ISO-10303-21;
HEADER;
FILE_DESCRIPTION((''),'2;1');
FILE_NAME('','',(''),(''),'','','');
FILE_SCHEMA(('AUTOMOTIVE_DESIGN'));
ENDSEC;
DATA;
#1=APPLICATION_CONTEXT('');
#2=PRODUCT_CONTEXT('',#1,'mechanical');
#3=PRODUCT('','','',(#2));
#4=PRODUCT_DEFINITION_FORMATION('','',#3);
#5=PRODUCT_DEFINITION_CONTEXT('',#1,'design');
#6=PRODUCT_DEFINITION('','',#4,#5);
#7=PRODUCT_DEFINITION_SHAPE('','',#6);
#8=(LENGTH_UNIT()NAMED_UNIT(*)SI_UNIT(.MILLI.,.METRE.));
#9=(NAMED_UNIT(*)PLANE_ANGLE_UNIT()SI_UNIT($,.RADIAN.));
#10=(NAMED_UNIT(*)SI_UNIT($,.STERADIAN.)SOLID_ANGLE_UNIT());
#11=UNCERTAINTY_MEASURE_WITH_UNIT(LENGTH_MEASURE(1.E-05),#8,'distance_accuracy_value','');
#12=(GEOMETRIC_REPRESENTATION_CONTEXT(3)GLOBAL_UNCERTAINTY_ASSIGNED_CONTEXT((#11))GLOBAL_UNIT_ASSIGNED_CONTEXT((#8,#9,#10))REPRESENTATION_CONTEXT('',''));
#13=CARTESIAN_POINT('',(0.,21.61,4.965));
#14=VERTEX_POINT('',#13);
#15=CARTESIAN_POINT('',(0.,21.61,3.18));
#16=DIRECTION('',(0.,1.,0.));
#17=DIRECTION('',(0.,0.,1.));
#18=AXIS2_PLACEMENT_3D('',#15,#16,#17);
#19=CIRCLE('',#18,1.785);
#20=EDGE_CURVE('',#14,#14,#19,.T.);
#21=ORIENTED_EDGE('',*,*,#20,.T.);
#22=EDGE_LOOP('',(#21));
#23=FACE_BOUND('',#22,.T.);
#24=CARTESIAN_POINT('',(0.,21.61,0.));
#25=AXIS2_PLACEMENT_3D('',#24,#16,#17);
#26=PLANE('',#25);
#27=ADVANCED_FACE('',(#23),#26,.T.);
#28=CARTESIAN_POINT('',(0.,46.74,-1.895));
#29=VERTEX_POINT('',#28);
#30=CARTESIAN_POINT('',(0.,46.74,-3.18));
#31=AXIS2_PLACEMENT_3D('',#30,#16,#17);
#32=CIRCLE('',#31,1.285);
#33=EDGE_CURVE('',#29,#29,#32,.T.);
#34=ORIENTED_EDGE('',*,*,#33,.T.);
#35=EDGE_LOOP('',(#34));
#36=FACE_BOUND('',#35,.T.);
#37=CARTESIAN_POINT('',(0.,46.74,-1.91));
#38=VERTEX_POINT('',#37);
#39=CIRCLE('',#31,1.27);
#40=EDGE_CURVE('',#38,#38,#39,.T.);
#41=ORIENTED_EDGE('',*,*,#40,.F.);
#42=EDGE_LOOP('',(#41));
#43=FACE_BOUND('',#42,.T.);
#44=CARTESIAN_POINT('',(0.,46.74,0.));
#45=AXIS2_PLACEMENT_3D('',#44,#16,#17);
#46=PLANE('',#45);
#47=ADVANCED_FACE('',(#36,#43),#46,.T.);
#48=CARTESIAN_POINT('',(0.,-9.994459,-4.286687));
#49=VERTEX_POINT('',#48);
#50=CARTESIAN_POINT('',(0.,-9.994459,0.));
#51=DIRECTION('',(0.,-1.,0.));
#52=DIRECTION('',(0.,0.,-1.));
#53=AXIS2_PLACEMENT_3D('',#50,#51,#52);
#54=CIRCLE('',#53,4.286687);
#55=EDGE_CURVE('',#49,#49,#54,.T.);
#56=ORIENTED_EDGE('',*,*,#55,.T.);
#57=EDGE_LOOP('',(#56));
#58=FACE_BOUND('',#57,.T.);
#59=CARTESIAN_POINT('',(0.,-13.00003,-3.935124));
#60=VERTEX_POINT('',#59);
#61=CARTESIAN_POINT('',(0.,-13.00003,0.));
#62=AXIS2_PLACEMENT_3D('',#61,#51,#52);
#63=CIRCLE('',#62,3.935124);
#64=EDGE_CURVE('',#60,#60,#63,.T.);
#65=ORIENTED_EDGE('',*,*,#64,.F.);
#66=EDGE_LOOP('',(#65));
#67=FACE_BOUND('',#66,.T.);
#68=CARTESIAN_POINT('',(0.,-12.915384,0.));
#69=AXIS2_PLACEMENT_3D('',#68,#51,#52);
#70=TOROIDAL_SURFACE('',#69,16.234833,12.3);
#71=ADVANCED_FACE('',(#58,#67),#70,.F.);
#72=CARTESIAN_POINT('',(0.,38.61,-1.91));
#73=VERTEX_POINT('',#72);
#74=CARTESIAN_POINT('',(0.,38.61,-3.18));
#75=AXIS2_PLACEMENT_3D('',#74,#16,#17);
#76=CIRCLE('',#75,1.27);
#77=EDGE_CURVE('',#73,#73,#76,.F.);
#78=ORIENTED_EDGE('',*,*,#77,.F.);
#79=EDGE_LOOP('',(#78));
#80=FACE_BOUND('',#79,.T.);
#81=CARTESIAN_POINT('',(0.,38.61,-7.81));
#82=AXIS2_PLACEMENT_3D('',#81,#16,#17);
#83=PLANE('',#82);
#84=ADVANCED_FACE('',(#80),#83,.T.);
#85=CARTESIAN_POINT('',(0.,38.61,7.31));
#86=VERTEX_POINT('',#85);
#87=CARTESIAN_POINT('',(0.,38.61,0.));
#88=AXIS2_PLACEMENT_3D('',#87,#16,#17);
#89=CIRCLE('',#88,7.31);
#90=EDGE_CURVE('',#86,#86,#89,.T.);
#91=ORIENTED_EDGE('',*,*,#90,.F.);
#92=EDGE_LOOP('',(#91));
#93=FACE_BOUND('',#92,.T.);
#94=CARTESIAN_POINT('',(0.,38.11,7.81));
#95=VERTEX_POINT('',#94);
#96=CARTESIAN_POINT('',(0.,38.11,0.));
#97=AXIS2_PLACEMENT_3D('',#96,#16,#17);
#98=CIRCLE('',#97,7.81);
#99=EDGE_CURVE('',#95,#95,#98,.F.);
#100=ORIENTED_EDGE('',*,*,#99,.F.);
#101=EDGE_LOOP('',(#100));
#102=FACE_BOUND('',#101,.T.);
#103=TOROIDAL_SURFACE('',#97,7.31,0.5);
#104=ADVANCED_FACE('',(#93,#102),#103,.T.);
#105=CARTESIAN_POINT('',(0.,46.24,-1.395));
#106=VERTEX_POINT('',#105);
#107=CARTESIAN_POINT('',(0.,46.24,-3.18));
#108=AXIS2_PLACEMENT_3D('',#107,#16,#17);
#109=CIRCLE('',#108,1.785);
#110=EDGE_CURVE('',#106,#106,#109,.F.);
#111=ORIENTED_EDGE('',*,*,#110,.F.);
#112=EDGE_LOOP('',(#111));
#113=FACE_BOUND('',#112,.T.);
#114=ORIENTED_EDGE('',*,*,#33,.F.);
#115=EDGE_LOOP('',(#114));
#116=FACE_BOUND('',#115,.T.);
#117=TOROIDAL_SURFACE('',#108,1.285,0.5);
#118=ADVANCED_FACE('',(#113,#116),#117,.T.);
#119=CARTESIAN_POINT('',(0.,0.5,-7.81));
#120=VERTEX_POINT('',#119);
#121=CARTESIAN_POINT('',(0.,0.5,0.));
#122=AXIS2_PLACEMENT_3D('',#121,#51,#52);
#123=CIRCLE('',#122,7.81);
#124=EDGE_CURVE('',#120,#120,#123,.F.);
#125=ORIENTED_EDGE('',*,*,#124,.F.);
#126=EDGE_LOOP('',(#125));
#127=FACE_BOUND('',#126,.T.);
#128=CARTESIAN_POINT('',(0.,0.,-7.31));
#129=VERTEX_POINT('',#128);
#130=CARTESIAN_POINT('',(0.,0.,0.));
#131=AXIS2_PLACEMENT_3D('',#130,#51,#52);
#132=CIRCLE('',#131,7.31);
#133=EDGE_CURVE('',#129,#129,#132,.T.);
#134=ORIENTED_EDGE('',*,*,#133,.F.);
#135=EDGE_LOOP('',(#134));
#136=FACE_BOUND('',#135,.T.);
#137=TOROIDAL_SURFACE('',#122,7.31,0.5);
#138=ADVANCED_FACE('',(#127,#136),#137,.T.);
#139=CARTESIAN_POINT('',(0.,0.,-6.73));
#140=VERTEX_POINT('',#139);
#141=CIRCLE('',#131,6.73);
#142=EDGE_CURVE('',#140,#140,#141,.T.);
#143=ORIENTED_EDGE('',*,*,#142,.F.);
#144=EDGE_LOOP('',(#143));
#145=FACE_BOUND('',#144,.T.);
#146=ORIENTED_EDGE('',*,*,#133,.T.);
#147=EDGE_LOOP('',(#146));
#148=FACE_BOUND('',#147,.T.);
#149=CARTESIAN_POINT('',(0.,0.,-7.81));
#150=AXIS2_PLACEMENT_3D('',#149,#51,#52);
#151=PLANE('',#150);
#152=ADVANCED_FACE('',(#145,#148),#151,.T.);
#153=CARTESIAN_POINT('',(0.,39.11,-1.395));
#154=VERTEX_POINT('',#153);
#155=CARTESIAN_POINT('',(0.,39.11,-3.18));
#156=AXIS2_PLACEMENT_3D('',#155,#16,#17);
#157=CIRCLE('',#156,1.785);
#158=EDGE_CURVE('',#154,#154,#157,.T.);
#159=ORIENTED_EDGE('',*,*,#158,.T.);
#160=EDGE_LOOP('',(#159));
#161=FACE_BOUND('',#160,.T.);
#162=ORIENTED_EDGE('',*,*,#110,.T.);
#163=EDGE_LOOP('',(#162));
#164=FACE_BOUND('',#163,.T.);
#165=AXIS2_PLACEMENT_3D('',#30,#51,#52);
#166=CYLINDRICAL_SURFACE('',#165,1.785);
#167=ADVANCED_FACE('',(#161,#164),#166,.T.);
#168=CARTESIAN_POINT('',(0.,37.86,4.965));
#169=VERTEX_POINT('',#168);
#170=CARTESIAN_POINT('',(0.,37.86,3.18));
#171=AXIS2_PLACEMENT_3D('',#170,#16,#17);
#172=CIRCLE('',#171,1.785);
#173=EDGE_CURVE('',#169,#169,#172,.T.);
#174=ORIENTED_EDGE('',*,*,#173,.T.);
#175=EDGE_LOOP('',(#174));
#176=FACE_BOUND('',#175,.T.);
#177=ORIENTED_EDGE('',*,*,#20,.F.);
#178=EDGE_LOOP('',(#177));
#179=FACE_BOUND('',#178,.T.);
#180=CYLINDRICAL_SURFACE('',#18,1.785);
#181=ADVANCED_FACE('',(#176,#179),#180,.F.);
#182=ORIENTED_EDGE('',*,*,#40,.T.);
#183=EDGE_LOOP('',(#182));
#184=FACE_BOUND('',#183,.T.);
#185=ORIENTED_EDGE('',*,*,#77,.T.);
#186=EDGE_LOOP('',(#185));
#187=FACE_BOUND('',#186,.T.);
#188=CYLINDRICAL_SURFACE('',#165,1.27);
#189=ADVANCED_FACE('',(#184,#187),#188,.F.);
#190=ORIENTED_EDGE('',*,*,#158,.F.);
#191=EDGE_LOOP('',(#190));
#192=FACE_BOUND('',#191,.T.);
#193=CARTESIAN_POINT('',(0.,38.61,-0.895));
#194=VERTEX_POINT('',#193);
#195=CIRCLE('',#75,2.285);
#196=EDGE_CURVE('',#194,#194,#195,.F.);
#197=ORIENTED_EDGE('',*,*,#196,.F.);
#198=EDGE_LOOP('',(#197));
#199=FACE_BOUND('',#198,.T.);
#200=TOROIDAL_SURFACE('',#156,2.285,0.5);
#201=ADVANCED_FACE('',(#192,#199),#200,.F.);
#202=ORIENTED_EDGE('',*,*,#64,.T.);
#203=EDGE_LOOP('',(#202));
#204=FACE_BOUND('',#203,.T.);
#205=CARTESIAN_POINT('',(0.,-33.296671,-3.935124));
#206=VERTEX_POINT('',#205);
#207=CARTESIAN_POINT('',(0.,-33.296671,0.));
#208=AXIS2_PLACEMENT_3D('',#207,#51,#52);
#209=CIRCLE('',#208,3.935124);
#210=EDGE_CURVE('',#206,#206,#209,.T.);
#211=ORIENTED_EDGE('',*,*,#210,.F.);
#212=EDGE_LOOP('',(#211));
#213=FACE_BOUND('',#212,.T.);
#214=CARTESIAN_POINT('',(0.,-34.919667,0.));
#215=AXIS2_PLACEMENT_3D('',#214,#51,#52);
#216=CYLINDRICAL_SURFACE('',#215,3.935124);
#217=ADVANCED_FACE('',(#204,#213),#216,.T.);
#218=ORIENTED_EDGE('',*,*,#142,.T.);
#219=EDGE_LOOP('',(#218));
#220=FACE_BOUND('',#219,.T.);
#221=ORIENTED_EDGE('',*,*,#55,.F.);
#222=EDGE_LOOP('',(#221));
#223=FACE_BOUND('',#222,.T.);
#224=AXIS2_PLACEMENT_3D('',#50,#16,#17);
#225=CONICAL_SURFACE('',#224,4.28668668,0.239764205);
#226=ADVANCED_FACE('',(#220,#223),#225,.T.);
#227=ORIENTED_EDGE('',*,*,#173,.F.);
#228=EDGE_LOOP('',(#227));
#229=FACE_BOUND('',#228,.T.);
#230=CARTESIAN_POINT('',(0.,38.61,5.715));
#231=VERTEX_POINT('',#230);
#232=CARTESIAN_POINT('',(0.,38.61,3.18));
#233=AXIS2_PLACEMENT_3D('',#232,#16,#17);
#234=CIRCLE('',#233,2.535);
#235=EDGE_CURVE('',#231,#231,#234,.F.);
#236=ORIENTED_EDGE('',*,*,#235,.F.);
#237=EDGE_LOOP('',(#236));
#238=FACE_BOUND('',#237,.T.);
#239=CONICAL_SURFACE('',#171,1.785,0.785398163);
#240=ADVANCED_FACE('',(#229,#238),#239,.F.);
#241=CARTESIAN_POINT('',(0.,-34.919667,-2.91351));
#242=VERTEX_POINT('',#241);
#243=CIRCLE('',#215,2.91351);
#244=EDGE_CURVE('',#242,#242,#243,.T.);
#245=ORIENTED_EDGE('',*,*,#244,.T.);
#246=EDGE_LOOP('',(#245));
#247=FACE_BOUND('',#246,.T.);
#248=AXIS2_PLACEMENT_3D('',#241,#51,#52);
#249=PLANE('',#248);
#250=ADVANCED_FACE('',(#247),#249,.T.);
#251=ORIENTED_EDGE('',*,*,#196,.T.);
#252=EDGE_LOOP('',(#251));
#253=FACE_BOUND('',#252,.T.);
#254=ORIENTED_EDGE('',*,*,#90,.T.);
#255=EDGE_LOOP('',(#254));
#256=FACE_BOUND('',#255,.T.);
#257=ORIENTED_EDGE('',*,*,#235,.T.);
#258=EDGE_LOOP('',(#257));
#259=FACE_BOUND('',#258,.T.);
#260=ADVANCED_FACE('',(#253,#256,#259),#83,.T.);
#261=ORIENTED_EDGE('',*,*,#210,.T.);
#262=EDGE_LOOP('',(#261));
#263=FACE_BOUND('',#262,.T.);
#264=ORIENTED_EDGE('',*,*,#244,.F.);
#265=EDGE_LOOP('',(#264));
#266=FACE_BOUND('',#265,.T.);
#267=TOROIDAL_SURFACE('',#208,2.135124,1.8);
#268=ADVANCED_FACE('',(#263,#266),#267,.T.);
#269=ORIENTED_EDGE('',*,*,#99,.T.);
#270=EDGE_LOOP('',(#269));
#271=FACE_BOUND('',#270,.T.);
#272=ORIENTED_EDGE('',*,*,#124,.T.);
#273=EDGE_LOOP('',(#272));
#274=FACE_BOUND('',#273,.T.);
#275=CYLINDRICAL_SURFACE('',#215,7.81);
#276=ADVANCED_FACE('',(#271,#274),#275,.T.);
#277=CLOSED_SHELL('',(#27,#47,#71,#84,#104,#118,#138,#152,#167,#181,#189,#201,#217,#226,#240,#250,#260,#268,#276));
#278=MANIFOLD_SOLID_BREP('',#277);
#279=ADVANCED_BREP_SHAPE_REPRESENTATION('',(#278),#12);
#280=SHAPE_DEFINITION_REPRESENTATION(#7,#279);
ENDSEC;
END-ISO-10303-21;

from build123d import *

# Parameters (mm, degrees)
SKETCH_2_R          = 1.785
SKETCH_2_R_2        = 1.27
EXTRUDE_2_DEPTH     = 8.13
FILLET_1_R          = 0.5
FILLET_2_R          = 0.5
FILLET_3_R          = 0.5
SKETCH_5_R          = 1.785
CUT_EXTRUDE_1_DEPTH = 18
CHAMFER_1_SIZE      = 0.75


with BuildPart() as part:
    # Эскиз1 → Повернуть1 (revolve)
    with BuildSketch(Plane(origin=(0, 0, 0), x_dir=(0, 0, -1), z_dir=(1, 0, 0))):
        with BuildLine():
            Line((7.81, 0), (7.81, 38.61))
            Line((7.81, 38.61), (0, 38.61))
            Line((0, 38.61), (0, -34.919667125))
            Line((0, -34.919667125), (2.135124109, -34.919667125))
            Line((2.135124109, -34.919667125), (2.913509872, -34.919667125))
            ThreePointArc((2.913509872, -34.919667125), (3.658458343, -34.255552274), (3.935124109, -33.296671252))
            Line((3.935124109, -33.296671252), (3.935124109, -13.000030341))
            ThreePointArc((3.935124109, -13.000030341), (4.018123706, -11.486391771), (4.28668668, -9.994458602))
            Line((4.28668668, -9.994458602), (6.73, 0))
            Line((6.73, 0), (7.81, 0))
        make_face()
    revolve(axis=Axis((0, -34.919667125, 0), (0, 1, 0)))

    # Эскиз2 → Бобышка-Вытянуть2 (add)
    with BuildSketch(Plane(origin=(0, 38.61, 0), x_dir=(1, 0, 0), z_dir=(0, 1, 0))):
        with Locations((0, 3.18)):
            Circle(SKETCH_2_R)
        with Locations((0, 3.18)):
            Circle(SKETCH_2_R_2, mode=Mode.SUBTRACT)
    extrude(amount=EXTRUDE_2_DEPTH)

    # Скругление1
    fillet_1_edges = [part.edges().sort_by_distance(p)[0] for p in [
        (-1.785, 46.74, -3.18),
    ]]
    fillet(fillet_1_edges, radius=FILLET_1_R)

    # Скругление2
    fillet_2_edges = [part.edges().sort_by_distance(p)[0] for p in [
        (-1.785, 38.61, -3.18),
    ]]
    fillet(fillet_2_edges, radius=FILLET_2_R)

    # Скругление3
    fillet_3_edges = [part.edges().sort_by_distance(p)[0] for p in [
        (0, 38.61, 7.81),
        (0, 0, 7.81),
    ]]
    fillet(fillet_3_edges, radius=FILLET_3_R)

    # Эскиз5 → Вырез-Вытянуть1 (cut)
    with BuildSketch(Plane(origin=(0, 39.61, 0), x_dir=(1, 0, 0), z_dir=(0, 1, 0))):
        with Locations((0, -3.18)):
            Circle(SKETCH_5_R)
    extrude(amount=-CUT_EXTRUDE_1_DEPTH, mode=Mode.SUBTRACT)

    # Фаска1
    chamfer_1_edges = [part.edges().sort_by_distance(p)[0] for p in [
        (-1.785, 38.61, 3.18),
    ]]
    chamfer(chamfer_1_edges, length=CHAMFER_1_SIZE)


solid = part.part
